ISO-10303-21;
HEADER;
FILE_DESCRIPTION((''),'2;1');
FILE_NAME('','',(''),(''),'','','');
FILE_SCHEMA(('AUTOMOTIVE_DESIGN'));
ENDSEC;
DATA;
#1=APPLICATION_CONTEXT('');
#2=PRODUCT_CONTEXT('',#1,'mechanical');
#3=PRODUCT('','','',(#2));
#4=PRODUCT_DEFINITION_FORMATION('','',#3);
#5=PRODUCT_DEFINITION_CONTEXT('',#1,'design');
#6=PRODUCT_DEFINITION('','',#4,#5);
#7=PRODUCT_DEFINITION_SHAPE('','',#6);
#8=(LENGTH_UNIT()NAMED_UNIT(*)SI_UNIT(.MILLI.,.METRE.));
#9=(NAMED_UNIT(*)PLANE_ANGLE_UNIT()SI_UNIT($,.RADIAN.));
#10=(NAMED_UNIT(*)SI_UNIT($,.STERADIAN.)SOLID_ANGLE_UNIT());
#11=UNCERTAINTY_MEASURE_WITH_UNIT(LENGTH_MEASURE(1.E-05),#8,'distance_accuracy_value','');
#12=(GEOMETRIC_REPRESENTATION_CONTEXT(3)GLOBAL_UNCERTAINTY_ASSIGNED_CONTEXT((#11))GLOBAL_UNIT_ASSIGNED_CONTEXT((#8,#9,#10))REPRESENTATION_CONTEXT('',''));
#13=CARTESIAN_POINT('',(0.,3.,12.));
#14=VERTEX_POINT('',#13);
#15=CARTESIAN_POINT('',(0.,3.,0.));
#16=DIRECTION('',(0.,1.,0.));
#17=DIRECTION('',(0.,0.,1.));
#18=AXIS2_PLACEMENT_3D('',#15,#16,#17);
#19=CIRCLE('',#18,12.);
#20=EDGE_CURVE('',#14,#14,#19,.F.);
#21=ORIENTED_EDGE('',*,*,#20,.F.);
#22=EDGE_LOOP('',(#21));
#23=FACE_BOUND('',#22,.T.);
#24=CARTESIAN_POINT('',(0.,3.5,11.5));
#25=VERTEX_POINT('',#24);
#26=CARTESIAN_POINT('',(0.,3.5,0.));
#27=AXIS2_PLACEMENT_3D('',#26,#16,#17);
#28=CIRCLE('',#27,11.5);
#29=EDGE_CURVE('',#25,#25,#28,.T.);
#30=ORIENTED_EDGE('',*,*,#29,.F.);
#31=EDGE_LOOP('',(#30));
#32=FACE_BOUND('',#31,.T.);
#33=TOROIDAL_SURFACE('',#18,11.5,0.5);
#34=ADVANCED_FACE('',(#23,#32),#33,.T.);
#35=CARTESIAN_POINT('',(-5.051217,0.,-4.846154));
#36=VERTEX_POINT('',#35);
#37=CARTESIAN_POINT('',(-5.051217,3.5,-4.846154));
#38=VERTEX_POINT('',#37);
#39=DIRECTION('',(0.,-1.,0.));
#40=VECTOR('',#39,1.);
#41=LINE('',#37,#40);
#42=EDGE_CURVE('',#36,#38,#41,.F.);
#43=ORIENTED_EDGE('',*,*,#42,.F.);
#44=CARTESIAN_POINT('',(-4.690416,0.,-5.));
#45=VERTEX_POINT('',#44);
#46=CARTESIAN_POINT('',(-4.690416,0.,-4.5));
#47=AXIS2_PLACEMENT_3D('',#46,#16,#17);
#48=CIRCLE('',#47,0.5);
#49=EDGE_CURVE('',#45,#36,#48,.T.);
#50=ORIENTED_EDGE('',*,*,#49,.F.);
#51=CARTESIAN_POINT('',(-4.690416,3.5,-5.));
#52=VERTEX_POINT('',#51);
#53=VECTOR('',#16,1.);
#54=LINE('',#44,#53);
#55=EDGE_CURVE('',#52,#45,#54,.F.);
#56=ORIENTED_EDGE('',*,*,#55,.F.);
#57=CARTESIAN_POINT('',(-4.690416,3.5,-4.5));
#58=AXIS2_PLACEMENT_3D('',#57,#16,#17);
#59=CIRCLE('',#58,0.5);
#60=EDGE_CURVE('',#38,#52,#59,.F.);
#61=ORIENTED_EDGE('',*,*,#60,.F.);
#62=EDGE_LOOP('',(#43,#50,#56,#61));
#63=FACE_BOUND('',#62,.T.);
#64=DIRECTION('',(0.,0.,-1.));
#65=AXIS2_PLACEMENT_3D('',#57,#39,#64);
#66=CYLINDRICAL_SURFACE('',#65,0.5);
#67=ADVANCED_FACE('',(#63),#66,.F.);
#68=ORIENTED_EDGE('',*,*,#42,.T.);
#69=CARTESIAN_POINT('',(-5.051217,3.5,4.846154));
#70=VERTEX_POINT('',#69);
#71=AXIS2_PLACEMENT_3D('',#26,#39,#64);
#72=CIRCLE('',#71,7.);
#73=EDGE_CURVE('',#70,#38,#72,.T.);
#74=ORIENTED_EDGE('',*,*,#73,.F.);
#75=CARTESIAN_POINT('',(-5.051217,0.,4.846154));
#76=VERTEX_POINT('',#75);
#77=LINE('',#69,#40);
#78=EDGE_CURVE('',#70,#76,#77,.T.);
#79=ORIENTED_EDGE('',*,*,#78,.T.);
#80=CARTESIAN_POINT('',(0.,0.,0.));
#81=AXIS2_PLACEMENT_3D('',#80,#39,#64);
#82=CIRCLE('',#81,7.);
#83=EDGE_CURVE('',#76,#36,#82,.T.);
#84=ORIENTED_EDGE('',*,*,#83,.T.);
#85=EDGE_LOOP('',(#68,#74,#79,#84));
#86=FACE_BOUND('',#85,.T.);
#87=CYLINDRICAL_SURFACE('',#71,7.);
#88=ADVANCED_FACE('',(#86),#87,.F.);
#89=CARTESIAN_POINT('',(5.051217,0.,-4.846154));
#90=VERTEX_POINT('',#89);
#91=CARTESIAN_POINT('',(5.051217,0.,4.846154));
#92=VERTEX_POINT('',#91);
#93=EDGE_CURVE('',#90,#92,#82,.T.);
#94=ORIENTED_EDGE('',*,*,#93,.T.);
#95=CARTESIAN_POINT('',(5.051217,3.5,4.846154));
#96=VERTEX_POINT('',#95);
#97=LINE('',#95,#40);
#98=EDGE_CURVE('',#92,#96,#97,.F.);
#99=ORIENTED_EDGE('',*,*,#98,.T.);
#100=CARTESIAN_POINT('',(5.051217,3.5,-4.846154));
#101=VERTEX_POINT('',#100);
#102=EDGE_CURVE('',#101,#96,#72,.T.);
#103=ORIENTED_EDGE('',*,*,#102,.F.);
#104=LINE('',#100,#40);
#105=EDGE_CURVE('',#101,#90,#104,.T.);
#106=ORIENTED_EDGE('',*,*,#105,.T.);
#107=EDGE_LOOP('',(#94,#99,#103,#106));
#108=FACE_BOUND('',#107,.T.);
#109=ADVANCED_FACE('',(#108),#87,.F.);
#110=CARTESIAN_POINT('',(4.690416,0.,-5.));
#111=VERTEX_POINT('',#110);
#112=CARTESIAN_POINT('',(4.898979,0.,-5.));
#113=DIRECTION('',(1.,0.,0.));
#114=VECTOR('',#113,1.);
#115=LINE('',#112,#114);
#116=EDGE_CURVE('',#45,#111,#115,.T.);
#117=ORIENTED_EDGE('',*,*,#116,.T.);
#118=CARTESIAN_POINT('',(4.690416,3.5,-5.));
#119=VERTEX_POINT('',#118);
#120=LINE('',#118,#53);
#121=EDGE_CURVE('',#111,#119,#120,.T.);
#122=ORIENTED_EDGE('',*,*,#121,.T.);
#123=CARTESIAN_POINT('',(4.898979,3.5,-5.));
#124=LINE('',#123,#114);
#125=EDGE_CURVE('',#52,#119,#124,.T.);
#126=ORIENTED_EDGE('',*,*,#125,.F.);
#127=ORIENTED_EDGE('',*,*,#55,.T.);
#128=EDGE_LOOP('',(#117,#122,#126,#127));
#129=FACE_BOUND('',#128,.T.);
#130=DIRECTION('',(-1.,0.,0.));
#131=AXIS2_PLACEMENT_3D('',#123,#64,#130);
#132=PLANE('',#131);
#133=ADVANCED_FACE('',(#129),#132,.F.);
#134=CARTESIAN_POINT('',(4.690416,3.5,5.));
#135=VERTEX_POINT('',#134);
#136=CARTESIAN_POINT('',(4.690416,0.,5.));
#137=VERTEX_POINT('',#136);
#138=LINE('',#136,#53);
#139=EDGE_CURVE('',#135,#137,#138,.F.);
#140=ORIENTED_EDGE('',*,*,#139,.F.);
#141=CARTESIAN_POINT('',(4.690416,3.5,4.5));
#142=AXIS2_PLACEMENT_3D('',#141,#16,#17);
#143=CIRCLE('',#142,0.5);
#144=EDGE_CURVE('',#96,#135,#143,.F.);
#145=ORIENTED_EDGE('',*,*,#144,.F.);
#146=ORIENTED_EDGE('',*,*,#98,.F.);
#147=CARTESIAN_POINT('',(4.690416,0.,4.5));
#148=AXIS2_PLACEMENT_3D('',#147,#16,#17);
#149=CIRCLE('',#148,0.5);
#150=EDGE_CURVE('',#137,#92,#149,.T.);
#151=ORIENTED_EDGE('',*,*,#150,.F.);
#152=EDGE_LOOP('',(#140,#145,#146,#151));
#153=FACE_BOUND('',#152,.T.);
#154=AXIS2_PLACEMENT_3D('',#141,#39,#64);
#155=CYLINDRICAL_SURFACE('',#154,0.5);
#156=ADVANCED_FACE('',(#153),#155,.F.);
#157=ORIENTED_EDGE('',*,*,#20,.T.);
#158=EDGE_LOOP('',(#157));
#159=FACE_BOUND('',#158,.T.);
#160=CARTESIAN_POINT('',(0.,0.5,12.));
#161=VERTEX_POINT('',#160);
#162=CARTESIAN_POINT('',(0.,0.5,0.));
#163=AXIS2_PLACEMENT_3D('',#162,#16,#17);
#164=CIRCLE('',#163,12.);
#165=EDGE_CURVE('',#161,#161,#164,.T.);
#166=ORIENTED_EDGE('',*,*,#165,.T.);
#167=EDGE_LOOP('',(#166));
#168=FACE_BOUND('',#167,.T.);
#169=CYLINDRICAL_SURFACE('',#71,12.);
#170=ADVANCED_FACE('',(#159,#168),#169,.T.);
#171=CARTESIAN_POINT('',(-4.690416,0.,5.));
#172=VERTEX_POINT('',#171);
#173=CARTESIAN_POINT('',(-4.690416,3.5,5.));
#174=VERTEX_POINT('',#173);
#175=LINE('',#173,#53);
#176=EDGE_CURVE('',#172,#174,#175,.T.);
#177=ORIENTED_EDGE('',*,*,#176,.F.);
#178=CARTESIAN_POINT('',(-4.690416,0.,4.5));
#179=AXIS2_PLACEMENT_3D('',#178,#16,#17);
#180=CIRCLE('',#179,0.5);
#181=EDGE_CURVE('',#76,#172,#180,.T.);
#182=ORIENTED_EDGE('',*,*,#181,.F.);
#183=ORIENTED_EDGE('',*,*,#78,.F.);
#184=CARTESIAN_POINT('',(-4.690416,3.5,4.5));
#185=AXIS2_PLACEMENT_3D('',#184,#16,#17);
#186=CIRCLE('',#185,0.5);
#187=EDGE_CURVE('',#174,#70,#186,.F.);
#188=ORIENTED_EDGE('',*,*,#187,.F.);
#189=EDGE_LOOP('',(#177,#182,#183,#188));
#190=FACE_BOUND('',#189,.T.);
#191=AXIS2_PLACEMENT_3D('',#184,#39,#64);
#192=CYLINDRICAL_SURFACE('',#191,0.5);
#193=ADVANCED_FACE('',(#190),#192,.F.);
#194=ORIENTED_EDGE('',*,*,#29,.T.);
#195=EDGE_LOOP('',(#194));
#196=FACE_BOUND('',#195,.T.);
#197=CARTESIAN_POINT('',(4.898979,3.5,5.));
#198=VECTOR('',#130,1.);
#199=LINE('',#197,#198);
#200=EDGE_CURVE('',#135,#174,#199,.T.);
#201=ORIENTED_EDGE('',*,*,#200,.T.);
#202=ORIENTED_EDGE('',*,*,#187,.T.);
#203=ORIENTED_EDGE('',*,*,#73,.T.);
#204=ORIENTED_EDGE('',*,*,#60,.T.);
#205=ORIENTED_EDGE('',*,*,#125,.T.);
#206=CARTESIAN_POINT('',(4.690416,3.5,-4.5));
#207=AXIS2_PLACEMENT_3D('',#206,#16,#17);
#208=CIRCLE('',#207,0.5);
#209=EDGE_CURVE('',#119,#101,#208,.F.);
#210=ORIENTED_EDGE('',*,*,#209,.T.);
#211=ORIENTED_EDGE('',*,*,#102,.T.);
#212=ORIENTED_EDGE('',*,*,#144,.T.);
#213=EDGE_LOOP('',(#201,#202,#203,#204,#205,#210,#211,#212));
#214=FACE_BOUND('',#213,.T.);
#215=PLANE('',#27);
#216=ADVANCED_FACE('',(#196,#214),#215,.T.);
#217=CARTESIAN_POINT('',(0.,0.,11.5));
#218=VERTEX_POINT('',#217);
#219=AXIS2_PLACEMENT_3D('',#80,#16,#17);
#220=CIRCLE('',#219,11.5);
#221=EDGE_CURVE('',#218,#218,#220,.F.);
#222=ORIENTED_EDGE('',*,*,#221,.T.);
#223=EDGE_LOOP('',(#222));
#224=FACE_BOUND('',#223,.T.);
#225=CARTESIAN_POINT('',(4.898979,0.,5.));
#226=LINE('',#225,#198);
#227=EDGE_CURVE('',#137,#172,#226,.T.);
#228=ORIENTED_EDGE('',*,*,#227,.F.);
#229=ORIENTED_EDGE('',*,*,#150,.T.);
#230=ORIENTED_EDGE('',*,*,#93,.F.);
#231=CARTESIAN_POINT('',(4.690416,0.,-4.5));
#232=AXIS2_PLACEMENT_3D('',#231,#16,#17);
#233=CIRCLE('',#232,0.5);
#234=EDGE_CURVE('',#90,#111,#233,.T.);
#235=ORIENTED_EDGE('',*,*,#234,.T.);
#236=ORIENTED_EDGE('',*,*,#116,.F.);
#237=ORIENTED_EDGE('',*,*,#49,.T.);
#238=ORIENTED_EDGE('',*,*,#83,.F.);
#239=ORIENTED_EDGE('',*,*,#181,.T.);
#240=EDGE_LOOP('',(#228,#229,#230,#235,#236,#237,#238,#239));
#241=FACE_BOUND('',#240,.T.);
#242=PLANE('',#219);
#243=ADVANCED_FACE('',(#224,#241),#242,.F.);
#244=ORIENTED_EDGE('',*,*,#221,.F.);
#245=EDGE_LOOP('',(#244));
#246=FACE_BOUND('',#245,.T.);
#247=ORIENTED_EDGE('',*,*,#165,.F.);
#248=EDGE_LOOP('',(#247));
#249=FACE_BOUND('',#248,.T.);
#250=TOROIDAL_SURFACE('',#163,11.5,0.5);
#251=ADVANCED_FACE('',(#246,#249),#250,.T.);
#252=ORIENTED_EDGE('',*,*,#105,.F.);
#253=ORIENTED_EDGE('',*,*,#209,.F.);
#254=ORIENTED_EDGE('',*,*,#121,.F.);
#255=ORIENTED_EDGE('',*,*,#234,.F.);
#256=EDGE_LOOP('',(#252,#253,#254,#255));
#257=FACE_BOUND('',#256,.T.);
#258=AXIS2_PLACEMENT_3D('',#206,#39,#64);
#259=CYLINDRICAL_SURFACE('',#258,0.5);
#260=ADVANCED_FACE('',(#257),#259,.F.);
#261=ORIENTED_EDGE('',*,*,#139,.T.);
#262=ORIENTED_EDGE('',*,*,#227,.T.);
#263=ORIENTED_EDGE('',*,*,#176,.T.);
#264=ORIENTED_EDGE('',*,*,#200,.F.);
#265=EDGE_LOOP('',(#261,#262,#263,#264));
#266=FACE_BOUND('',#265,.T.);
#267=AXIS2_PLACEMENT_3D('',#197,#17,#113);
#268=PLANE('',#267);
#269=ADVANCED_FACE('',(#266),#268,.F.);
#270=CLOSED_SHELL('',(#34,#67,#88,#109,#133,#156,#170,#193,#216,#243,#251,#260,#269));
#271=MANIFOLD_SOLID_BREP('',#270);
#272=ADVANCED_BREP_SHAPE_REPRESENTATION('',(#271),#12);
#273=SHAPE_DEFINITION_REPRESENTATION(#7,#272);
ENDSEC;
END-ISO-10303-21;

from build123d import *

# Parameters (mm, degrees)
SKETCH_1_R          = 12
EXTRUDE_1_DEPTH     = 3.5
CUT_EXTRUDE_1_DEPTH = 18.327723451
FILLET_1_R          = 0.5


with BuildPart() as part:
    # 草图1 → 凸台-拉伸1 (new body)
    with BuildSketch(Plane(origin=(0, 0, 0), x_dir=(1, 0, 0), z_dir=(0, 1, 0))):
        with Locations(Location((0, 0, 0), (0, 0, 270))):
            Circle(SKETCH_1_R)
    extrude(amount=EXTRUDE_1_DEPTH)

    # 草图2 → 切除-拉伸1 (cut, through all)
    with BuildSketch(Plane.XZ):
        with BuildLine():
            Line((4.898979486, -5), (-4.898979486, -5))
            ThreePointArc((-4.898979486, -5), (-7, 0), (-4.898979486, 5))
            Line((-4.898979486, 5), (4.898979486, 5))
            ThreePointArc((4.898979486, 5), (7, 0), (4.898979486, -5))
        make_face()
    extrude(amount=-CUT_EXTRUDE_1_DEPTH, mode=Mode.SUBTRACT)

    # 圆角1
    fillet_1_edges = [part.edges().sort_by_distance(p)[0] for p in [
        (4.898979486, 1.75, -5),
        (-4.898979486, 1.75, -5),
        (-4.898979486, 1.75, 5),
        (0, 0, -12),
        (0, 3.5, -12),
        (4.898979486, 1.75, 5),
    ]]
    fillet(fillet_1_edges, radius=FILLET_1_R)


solid = part.part
